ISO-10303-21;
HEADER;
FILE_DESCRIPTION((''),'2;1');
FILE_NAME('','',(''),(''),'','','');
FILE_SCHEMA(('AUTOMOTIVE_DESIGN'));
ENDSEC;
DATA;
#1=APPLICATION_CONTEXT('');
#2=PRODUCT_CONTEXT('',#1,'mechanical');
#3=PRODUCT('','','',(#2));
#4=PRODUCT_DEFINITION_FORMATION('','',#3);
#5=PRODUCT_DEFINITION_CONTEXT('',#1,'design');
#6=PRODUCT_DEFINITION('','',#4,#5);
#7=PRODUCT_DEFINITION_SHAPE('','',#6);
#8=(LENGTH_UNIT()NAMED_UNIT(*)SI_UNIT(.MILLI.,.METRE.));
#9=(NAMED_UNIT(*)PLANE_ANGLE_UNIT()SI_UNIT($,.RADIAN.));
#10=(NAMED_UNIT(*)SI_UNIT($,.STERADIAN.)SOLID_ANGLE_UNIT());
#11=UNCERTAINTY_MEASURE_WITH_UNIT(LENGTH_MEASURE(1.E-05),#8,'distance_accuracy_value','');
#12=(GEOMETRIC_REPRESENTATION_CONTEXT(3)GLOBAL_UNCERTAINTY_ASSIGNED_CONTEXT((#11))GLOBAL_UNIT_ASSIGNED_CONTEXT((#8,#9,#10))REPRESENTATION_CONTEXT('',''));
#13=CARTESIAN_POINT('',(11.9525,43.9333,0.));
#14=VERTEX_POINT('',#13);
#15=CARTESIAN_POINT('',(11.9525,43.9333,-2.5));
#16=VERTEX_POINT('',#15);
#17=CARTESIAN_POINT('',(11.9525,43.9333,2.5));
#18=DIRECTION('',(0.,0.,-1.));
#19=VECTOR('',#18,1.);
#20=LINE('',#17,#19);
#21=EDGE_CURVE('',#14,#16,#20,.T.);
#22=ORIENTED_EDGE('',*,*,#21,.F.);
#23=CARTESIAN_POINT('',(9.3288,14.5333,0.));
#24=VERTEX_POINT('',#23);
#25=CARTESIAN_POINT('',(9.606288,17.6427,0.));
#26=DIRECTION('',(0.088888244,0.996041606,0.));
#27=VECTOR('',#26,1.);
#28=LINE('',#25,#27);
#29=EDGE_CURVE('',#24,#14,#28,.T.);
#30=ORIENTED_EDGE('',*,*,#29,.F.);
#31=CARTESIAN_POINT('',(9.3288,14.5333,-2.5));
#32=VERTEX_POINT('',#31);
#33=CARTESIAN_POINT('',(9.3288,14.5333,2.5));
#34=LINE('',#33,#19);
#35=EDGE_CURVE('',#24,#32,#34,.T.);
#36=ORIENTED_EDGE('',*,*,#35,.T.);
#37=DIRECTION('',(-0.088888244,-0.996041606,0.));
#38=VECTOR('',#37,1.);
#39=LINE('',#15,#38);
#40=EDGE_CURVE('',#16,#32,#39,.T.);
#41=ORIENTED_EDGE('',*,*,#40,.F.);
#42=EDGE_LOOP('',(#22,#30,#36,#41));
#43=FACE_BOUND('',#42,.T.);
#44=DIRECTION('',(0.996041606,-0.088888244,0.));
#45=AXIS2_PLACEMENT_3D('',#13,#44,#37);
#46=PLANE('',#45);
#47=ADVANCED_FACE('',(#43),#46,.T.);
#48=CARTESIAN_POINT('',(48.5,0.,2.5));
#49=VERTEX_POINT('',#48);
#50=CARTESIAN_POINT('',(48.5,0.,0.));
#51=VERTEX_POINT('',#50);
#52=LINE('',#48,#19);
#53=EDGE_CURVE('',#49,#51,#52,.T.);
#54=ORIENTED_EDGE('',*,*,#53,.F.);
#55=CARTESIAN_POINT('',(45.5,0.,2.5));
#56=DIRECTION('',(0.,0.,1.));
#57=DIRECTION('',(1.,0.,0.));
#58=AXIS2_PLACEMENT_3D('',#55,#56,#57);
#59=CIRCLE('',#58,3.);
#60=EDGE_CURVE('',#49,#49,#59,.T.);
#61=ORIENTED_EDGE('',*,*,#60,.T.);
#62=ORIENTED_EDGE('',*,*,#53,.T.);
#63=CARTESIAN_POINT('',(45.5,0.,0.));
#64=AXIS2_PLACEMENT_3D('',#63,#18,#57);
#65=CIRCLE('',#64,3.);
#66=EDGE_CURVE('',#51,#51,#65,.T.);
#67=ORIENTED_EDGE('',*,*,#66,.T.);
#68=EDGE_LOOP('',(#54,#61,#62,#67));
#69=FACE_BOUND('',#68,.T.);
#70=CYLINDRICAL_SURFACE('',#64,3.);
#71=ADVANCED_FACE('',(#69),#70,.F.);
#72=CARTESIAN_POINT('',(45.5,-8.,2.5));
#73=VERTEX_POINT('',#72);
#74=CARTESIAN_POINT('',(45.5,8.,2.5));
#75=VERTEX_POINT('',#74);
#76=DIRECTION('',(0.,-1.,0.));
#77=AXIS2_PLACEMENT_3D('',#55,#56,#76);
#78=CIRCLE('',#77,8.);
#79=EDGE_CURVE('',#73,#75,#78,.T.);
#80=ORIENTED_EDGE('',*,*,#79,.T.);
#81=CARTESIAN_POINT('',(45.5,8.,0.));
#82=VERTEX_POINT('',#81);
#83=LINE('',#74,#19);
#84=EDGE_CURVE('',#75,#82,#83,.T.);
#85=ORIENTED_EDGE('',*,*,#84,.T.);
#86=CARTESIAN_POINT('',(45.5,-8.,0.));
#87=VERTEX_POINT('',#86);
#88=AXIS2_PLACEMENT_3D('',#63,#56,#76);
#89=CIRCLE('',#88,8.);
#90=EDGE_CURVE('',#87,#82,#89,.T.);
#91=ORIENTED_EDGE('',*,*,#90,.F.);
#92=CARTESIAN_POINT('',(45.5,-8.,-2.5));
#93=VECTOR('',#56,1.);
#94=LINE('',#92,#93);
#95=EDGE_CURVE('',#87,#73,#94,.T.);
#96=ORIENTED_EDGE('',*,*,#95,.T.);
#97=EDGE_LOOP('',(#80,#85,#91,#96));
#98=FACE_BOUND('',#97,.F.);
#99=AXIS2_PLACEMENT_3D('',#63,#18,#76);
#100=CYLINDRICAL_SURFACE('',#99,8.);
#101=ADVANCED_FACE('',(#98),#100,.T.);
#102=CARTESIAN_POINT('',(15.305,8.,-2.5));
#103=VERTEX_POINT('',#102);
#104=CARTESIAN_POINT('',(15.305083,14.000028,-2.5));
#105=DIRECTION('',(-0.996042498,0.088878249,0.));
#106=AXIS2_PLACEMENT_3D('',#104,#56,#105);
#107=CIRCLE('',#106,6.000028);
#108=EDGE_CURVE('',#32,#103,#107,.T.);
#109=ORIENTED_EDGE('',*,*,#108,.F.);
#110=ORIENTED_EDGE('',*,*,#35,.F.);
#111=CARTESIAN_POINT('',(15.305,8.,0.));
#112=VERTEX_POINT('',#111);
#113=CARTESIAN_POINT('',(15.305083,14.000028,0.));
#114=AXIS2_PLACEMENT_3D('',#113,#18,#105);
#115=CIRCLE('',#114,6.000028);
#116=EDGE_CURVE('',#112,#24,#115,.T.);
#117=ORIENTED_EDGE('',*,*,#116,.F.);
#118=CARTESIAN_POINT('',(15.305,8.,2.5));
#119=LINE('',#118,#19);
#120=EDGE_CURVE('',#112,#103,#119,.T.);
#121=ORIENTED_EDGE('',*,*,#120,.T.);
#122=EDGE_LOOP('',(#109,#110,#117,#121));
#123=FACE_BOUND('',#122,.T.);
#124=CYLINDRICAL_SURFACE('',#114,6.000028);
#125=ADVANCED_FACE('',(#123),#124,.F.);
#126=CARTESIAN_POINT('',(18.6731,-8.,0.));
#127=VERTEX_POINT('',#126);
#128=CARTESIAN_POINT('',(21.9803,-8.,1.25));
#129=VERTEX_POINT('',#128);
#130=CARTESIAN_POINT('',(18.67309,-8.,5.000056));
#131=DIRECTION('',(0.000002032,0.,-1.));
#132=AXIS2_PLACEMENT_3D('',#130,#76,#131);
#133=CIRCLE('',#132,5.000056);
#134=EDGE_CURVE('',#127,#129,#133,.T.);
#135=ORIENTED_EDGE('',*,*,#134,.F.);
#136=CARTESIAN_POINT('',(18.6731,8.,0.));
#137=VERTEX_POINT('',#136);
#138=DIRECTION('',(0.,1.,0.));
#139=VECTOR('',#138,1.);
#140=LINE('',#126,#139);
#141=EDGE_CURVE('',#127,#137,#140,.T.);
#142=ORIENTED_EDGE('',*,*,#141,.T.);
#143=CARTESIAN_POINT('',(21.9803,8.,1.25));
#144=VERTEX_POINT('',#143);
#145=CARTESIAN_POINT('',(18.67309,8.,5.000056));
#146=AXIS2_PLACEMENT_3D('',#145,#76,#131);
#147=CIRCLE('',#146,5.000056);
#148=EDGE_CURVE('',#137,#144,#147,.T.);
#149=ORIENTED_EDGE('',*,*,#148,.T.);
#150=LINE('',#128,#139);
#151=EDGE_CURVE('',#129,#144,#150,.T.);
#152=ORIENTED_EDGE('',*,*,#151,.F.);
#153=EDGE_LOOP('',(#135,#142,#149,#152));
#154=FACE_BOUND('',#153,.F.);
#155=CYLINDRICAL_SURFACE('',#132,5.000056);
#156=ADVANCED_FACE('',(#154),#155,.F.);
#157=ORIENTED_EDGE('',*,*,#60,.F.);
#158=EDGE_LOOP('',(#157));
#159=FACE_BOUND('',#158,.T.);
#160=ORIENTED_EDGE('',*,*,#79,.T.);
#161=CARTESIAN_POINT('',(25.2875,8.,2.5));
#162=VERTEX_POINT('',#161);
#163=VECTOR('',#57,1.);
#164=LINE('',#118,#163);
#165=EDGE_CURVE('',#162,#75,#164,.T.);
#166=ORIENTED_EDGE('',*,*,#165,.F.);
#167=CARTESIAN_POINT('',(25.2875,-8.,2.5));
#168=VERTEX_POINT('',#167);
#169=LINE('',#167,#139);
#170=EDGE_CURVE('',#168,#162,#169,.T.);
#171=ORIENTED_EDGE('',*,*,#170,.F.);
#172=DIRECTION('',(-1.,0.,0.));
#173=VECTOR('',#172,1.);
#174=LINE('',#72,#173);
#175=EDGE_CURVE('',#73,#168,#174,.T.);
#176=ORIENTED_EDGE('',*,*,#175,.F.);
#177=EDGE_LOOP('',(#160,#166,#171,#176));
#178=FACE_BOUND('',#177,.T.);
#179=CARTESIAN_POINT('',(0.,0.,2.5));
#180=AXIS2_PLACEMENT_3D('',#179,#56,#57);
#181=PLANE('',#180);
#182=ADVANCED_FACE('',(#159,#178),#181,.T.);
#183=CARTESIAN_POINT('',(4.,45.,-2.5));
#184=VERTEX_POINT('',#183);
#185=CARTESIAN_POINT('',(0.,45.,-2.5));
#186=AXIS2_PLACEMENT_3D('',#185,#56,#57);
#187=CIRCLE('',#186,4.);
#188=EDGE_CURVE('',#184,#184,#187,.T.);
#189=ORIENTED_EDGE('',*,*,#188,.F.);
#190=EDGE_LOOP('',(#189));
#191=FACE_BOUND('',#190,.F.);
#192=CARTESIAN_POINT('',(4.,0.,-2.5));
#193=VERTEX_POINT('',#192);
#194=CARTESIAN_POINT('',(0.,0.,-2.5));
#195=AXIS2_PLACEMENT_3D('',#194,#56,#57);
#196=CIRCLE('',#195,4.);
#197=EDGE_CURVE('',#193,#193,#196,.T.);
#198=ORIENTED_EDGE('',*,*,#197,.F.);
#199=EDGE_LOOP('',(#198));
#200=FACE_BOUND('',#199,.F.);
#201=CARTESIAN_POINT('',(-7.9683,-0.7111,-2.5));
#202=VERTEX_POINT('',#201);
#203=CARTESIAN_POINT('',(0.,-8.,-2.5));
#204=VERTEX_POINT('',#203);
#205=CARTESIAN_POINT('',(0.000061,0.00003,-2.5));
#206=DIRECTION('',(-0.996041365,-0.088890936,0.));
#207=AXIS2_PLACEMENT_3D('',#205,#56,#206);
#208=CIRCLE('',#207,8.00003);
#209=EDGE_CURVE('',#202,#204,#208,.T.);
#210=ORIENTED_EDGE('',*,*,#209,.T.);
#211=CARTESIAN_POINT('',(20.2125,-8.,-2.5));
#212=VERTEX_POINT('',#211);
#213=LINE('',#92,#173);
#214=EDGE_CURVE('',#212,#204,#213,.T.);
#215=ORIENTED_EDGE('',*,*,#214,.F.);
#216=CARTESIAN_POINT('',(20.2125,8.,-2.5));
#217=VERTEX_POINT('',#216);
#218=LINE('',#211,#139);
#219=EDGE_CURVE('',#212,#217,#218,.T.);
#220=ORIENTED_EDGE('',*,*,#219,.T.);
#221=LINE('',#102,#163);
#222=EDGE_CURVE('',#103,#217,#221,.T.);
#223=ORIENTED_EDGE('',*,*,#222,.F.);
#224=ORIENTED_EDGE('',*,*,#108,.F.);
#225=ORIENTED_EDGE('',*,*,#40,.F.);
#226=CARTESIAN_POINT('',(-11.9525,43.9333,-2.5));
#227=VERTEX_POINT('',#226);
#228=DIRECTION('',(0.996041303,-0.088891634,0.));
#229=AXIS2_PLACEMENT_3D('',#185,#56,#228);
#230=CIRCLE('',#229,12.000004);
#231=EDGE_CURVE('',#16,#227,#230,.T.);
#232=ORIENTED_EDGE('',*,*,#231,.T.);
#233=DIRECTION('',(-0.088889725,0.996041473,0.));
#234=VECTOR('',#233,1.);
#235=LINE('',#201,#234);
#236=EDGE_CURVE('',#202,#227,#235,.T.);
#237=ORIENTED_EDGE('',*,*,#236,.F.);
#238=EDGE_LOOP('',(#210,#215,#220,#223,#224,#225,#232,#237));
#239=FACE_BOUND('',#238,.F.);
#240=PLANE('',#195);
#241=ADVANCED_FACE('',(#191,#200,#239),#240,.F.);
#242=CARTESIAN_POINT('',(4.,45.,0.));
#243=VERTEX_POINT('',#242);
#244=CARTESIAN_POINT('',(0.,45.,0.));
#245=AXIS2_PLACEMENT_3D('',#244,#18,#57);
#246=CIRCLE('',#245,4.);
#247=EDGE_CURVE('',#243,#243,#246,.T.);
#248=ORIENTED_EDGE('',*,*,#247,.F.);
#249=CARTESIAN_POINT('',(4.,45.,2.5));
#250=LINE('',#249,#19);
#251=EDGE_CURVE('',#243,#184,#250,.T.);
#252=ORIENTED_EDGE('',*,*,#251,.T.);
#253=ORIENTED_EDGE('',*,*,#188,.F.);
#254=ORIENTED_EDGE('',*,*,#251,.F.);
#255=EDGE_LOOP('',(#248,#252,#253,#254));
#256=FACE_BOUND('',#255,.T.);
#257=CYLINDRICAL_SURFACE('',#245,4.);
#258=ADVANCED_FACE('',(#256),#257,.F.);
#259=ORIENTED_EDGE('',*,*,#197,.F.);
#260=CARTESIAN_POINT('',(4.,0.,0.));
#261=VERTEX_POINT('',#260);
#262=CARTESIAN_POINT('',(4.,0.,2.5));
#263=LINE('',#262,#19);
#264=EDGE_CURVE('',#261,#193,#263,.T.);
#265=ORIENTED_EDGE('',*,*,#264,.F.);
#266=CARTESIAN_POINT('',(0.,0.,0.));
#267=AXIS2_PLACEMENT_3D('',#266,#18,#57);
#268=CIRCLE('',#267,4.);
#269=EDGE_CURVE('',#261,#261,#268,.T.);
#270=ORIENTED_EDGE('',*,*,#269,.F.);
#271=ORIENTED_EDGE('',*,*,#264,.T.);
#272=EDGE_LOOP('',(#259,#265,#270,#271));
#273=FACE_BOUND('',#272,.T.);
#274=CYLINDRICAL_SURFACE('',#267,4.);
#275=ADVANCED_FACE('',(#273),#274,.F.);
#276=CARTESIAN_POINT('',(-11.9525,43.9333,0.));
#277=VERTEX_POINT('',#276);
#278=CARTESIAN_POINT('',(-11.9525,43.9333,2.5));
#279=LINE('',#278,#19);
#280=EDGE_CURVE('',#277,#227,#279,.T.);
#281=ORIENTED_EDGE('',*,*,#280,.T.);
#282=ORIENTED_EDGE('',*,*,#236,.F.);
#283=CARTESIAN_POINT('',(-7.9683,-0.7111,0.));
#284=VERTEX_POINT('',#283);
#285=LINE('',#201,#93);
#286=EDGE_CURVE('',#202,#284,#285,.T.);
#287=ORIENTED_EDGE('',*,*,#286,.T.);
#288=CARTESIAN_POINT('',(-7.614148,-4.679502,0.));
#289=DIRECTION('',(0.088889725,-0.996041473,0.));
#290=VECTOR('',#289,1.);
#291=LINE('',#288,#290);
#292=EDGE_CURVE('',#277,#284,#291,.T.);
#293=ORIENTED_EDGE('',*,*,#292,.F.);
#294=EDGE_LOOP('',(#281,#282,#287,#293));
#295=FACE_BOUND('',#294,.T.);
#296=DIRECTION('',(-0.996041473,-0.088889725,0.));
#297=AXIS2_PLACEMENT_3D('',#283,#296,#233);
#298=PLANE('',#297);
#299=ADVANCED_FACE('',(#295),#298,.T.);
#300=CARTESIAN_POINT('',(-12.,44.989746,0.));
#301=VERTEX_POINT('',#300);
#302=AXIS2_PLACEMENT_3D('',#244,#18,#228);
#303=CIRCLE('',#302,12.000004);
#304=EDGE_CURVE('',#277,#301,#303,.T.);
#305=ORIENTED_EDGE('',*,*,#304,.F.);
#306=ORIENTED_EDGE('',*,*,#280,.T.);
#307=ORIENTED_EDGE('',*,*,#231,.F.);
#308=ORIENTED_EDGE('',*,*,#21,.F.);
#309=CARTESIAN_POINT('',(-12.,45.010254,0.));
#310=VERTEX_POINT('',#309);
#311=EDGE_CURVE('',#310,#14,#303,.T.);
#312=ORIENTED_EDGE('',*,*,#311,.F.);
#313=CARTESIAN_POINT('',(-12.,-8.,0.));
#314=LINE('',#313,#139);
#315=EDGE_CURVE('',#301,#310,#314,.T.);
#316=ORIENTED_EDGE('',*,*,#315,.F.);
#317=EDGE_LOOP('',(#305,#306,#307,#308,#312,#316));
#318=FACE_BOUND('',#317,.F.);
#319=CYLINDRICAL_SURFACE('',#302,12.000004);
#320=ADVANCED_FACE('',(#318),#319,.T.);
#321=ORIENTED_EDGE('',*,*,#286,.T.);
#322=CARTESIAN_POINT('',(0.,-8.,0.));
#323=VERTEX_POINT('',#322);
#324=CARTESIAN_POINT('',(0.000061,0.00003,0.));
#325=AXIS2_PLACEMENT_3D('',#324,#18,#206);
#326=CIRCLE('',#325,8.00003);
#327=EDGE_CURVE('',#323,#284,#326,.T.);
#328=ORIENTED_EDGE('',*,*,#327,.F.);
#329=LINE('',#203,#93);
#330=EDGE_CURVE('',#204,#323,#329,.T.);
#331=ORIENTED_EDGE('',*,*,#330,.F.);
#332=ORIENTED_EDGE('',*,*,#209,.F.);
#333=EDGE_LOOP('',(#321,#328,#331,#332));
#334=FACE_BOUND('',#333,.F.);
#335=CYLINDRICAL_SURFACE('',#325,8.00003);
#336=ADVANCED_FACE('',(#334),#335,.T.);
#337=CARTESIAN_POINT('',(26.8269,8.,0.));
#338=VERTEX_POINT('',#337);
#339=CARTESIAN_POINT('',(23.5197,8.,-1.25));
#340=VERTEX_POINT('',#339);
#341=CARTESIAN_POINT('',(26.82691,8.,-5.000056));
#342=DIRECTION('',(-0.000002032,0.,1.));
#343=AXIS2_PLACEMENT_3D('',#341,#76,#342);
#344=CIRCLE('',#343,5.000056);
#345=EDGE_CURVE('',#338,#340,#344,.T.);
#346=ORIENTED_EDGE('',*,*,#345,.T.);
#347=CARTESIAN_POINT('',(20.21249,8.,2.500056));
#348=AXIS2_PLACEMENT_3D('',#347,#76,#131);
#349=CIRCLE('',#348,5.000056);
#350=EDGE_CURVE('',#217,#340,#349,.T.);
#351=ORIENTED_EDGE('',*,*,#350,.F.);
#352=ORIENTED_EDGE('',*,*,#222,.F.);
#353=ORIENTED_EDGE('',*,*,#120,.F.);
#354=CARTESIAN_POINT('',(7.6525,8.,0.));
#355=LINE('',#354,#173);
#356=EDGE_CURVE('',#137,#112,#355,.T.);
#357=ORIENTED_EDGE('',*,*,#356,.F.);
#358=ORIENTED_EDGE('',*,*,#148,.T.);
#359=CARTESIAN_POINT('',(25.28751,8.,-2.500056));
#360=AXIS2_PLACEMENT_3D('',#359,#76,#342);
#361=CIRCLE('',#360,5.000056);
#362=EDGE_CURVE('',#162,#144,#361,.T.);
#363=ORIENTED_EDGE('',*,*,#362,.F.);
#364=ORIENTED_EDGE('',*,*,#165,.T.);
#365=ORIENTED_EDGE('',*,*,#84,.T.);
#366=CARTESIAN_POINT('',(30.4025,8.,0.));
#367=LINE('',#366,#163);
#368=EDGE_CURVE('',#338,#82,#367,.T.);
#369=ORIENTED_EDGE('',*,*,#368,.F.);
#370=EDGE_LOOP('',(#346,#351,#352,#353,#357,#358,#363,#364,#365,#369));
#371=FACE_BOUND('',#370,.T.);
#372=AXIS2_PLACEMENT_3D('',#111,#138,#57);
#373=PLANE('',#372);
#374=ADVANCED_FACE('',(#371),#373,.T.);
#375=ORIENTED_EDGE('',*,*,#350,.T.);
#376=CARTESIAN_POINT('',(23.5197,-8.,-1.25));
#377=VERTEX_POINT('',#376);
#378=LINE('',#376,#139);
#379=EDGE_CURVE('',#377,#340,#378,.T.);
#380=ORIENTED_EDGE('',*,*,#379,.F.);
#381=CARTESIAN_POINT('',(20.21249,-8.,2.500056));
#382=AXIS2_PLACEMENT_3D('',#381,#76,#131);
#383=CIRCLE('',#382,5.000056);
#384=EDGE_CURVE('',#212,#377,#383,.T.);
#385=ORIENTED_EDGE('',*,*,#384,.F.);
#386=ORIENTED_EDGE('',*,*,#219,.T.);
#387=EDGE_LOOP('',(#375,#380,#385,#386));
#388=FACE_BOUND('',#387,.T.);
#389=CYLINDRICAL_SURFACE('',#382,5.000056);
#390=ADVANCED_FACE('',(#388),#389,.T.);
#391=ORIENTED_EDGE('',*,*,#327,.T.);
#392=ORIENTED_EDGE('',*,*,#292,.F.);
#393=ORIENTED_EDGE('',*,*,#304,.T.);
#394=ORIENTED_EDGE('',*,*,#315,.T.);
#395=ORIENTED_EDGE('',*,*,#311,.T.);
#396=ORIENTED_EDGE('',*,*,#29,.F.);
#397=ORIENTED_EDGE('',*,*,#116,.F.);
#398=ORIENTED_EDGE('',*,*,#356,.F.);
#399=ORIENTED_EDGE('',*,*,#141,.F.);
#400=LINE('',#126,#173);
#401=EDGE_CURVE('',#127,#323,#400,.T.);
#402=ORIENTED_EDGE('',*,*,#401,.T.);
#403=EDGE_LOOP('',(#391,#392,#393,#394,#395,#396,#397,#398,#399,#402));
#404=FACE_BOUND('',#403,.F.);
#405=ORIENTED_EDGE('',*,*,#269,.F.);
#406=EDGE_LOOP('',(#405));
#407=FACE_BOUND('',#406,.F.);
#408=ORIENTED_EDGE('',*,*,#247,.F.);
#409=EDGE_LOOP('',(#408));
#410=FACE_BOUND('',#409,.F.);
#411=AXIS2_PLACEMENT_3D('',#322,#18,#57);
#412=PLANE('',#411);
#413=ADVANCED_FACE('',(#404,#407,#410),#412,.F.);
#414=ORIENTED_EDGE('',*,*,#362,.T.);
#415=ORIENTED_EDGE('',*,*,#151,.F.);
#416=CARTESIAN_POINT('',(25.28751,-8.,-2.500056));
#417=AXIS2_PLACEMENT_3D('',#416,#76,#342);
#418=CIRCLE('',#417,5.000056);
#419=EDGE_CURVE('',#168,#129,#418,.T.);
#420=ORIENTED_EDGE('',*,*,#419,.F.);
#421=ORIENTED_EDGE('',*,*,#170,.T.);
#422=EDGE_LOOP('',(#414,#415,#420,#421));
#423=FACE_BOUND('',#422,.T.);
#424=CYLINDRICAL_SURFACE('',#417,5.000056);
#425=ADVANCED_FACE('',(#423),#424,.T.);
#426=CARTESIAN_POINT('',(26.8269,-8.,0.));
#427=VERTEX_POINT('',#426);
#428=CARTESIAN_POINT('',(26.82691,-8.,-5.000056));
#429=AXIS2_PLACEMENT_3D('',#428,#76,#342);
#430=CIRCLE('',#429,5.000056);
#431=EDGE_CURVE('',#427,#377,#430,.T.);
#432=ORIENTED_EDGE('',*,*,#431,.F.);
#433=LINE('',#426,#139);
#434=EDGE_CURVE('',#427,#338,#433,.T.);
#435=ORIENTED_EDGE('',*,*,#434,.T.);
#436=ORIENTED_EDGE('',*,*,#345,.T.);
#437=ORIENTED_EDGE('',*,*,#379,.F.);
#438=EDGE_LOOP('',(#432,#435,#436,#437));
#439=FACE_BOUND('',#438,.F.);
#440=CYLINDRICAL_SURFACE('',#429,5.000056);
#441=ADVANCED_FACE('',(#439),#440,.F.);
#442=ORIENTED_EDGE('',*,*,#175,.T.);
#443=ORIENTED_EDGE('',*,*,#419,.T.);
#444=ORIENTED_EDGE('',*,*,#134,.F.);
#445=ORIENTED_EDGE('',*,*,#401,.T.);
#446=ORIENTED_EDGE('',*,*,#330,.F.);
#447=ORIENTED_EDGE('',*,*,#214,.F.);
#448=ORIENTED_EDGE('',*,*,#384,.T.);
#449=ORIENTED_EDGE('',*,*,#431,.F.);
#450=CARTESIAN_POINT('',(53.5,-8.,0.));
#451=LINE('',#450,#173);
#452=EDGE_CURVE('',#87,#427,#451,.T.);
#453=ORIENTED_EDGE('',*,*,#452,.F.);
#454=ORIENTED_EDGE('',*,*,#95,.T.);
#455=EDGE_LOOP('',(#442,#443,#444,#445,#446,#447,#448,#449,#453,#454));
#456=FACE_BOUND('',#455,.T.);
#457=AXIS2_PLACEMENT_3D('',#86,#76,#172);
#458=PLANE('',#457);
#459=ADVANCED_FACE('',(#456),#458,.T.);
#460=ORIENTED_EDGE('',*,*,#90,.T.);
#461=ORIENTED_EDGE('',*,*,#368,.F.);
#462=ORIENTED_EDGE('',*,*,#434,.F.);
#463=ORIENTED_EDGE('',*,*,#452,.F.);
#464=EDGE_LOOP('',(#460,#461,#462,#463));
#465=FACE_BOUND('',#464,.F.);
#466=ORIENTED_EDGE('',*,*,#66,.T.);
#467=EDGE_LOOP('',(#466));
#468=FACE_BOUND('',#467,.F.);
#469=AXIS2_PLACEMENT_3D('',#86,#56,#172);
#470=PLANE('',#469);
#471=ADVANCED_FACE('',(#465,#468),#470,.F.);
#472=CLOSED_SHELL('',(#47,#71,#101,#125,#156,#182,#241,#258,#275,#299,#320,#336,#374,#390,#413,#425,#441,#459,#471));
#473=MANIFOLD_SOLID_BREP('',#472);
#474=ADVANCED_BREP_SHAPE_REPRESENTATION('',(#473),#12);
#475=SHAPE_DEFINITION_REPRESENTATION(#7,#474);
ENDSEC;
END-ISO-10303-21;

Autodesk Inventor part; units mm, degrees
ref_plane "YZ Plane" through (0, 0, 0) normal (1, 0, 0) x (0, 1, 0)
ref_plane "XZ Plane" through (0, 0, 0) normal (0, 1, 0) x (-1, 0, 0)
ref_plane "XY Plane" through (0, 0, 0) normal (0, 0, 1) x (1, 0, 0)
sketch "Sketch1" plane through (0, 0, 0) normal (0, 0, 1) x (1, 0, 0)
  circle A0 centre (0, 0) radius 4
  circle A1 centre (0, 45) radius 4
  circle A2 centre (45.5, 0) radius 3
  line L0 (-7.9683, -0.7111) -> (-11.9525, 43.9333)
  arc A3 (11.9525, 43.9333) -> (-11.9525, 43.9333) centre (0, 45) ccw
  line L1 (11.9525, 43.9333) -> (9.3288, 14.5333)
  arc A4 (9.3288, 14.5333) -> (15.305, 8) centre (15.305, 14) ccw
  line L2 (15.305, 8) -> (45.5, 8)
  line L3 (45.5, -8) -> (0, -8)
  arc A5 (-7.9683, -0.7111) -> (0, -8) centre (0, 0) ccw
  arc A6 (45.5, -8) -> (45.5, 8) centre (45.5, 0) ccw
  dimension "d0" = 8
  dimension "d1" = 6
  dimension "d2" = 45
  dimension "d3" = 45.5
  dimension "d4" = 12
  dimension "d5" = 8
  dimension "d6" = 8
  dimension "d7" = 6
extrude "Extrusion1" add sketch "Sketch1" along normal mid plane 5
sketch "Sketch3" plane through (0, -8, 2.5) normal (0, -1, 0) x (1, 0, 0)
  line L0 (45.5, -5) -> (45.5, 0) projected
  line L1 (0, 0) -> (45.5, 0) projected
  line L2 (45.5, -5) -> (0, -5) projected
  line L3 (0, -2.5) -> (18.6731, -2.5)
  arc A0 (18.6731, -2.5) -> (21.9803, -1.25) centre (18.6731, 2.5) ccw
  arc A1 (25.2875, 0) -> (21.9803, -1.25) centre (25.2875, -5) ccw
  line L4 (45.5, -2.5) -> (26.8269, -2.5)
  arc A2 (26.8269, -2.5) -> (23.5197, -3.75) centre (26.8269, -7.5) ccw
  arc A3 (20.2125, -5) -> (23.5197, -3.75) centre (20.2125, 0) ccw
  line L5 (23.5197, -3.75) -> (21.9803, -1.25) construction
  line L6 (45.5, -2.5) -> (53.5, -2.5)
  line L7 (53.5, -2.5) -> (53.5, -5)
  line L8 (45.5, 0) -> (45.5, -5) projected
  line L9 (53.5, -5) -> (45.5, -5)
  line L10 (53.5, -5) -> (53.5, 0) projected
  line L11 (12, 0) -> (-12, 0) projected
  line L12 (-12, -5) -> (12, -5) projected
  line L13 (0, -2.5) -> (-12, -2.5)
  line L14 (-12, -5) -> (-12, 0) projected
  line L15 (-12, -5) -> (-12, 0) projected
  line L16 (-12, -5) -> (-12, 0) projected
  point P0 (23.5197, -0.3229)
  point P1 (22.75, -2.5)
  point P2 (22.75, -5)
  point P3 (11.9525, 0)
  point P4 (-11.9525, 0)
  point P5 (11.9525, -5)
extrude "Extrusion2" cut sketch "Sketch3" against normal through all contours L2 A3 A2 L4 L0 | L0 L6 L7 L9 | A1 A0 L3 L13 L14 L11 L1
properties part number "Elbow" material "Steel, Mild"
